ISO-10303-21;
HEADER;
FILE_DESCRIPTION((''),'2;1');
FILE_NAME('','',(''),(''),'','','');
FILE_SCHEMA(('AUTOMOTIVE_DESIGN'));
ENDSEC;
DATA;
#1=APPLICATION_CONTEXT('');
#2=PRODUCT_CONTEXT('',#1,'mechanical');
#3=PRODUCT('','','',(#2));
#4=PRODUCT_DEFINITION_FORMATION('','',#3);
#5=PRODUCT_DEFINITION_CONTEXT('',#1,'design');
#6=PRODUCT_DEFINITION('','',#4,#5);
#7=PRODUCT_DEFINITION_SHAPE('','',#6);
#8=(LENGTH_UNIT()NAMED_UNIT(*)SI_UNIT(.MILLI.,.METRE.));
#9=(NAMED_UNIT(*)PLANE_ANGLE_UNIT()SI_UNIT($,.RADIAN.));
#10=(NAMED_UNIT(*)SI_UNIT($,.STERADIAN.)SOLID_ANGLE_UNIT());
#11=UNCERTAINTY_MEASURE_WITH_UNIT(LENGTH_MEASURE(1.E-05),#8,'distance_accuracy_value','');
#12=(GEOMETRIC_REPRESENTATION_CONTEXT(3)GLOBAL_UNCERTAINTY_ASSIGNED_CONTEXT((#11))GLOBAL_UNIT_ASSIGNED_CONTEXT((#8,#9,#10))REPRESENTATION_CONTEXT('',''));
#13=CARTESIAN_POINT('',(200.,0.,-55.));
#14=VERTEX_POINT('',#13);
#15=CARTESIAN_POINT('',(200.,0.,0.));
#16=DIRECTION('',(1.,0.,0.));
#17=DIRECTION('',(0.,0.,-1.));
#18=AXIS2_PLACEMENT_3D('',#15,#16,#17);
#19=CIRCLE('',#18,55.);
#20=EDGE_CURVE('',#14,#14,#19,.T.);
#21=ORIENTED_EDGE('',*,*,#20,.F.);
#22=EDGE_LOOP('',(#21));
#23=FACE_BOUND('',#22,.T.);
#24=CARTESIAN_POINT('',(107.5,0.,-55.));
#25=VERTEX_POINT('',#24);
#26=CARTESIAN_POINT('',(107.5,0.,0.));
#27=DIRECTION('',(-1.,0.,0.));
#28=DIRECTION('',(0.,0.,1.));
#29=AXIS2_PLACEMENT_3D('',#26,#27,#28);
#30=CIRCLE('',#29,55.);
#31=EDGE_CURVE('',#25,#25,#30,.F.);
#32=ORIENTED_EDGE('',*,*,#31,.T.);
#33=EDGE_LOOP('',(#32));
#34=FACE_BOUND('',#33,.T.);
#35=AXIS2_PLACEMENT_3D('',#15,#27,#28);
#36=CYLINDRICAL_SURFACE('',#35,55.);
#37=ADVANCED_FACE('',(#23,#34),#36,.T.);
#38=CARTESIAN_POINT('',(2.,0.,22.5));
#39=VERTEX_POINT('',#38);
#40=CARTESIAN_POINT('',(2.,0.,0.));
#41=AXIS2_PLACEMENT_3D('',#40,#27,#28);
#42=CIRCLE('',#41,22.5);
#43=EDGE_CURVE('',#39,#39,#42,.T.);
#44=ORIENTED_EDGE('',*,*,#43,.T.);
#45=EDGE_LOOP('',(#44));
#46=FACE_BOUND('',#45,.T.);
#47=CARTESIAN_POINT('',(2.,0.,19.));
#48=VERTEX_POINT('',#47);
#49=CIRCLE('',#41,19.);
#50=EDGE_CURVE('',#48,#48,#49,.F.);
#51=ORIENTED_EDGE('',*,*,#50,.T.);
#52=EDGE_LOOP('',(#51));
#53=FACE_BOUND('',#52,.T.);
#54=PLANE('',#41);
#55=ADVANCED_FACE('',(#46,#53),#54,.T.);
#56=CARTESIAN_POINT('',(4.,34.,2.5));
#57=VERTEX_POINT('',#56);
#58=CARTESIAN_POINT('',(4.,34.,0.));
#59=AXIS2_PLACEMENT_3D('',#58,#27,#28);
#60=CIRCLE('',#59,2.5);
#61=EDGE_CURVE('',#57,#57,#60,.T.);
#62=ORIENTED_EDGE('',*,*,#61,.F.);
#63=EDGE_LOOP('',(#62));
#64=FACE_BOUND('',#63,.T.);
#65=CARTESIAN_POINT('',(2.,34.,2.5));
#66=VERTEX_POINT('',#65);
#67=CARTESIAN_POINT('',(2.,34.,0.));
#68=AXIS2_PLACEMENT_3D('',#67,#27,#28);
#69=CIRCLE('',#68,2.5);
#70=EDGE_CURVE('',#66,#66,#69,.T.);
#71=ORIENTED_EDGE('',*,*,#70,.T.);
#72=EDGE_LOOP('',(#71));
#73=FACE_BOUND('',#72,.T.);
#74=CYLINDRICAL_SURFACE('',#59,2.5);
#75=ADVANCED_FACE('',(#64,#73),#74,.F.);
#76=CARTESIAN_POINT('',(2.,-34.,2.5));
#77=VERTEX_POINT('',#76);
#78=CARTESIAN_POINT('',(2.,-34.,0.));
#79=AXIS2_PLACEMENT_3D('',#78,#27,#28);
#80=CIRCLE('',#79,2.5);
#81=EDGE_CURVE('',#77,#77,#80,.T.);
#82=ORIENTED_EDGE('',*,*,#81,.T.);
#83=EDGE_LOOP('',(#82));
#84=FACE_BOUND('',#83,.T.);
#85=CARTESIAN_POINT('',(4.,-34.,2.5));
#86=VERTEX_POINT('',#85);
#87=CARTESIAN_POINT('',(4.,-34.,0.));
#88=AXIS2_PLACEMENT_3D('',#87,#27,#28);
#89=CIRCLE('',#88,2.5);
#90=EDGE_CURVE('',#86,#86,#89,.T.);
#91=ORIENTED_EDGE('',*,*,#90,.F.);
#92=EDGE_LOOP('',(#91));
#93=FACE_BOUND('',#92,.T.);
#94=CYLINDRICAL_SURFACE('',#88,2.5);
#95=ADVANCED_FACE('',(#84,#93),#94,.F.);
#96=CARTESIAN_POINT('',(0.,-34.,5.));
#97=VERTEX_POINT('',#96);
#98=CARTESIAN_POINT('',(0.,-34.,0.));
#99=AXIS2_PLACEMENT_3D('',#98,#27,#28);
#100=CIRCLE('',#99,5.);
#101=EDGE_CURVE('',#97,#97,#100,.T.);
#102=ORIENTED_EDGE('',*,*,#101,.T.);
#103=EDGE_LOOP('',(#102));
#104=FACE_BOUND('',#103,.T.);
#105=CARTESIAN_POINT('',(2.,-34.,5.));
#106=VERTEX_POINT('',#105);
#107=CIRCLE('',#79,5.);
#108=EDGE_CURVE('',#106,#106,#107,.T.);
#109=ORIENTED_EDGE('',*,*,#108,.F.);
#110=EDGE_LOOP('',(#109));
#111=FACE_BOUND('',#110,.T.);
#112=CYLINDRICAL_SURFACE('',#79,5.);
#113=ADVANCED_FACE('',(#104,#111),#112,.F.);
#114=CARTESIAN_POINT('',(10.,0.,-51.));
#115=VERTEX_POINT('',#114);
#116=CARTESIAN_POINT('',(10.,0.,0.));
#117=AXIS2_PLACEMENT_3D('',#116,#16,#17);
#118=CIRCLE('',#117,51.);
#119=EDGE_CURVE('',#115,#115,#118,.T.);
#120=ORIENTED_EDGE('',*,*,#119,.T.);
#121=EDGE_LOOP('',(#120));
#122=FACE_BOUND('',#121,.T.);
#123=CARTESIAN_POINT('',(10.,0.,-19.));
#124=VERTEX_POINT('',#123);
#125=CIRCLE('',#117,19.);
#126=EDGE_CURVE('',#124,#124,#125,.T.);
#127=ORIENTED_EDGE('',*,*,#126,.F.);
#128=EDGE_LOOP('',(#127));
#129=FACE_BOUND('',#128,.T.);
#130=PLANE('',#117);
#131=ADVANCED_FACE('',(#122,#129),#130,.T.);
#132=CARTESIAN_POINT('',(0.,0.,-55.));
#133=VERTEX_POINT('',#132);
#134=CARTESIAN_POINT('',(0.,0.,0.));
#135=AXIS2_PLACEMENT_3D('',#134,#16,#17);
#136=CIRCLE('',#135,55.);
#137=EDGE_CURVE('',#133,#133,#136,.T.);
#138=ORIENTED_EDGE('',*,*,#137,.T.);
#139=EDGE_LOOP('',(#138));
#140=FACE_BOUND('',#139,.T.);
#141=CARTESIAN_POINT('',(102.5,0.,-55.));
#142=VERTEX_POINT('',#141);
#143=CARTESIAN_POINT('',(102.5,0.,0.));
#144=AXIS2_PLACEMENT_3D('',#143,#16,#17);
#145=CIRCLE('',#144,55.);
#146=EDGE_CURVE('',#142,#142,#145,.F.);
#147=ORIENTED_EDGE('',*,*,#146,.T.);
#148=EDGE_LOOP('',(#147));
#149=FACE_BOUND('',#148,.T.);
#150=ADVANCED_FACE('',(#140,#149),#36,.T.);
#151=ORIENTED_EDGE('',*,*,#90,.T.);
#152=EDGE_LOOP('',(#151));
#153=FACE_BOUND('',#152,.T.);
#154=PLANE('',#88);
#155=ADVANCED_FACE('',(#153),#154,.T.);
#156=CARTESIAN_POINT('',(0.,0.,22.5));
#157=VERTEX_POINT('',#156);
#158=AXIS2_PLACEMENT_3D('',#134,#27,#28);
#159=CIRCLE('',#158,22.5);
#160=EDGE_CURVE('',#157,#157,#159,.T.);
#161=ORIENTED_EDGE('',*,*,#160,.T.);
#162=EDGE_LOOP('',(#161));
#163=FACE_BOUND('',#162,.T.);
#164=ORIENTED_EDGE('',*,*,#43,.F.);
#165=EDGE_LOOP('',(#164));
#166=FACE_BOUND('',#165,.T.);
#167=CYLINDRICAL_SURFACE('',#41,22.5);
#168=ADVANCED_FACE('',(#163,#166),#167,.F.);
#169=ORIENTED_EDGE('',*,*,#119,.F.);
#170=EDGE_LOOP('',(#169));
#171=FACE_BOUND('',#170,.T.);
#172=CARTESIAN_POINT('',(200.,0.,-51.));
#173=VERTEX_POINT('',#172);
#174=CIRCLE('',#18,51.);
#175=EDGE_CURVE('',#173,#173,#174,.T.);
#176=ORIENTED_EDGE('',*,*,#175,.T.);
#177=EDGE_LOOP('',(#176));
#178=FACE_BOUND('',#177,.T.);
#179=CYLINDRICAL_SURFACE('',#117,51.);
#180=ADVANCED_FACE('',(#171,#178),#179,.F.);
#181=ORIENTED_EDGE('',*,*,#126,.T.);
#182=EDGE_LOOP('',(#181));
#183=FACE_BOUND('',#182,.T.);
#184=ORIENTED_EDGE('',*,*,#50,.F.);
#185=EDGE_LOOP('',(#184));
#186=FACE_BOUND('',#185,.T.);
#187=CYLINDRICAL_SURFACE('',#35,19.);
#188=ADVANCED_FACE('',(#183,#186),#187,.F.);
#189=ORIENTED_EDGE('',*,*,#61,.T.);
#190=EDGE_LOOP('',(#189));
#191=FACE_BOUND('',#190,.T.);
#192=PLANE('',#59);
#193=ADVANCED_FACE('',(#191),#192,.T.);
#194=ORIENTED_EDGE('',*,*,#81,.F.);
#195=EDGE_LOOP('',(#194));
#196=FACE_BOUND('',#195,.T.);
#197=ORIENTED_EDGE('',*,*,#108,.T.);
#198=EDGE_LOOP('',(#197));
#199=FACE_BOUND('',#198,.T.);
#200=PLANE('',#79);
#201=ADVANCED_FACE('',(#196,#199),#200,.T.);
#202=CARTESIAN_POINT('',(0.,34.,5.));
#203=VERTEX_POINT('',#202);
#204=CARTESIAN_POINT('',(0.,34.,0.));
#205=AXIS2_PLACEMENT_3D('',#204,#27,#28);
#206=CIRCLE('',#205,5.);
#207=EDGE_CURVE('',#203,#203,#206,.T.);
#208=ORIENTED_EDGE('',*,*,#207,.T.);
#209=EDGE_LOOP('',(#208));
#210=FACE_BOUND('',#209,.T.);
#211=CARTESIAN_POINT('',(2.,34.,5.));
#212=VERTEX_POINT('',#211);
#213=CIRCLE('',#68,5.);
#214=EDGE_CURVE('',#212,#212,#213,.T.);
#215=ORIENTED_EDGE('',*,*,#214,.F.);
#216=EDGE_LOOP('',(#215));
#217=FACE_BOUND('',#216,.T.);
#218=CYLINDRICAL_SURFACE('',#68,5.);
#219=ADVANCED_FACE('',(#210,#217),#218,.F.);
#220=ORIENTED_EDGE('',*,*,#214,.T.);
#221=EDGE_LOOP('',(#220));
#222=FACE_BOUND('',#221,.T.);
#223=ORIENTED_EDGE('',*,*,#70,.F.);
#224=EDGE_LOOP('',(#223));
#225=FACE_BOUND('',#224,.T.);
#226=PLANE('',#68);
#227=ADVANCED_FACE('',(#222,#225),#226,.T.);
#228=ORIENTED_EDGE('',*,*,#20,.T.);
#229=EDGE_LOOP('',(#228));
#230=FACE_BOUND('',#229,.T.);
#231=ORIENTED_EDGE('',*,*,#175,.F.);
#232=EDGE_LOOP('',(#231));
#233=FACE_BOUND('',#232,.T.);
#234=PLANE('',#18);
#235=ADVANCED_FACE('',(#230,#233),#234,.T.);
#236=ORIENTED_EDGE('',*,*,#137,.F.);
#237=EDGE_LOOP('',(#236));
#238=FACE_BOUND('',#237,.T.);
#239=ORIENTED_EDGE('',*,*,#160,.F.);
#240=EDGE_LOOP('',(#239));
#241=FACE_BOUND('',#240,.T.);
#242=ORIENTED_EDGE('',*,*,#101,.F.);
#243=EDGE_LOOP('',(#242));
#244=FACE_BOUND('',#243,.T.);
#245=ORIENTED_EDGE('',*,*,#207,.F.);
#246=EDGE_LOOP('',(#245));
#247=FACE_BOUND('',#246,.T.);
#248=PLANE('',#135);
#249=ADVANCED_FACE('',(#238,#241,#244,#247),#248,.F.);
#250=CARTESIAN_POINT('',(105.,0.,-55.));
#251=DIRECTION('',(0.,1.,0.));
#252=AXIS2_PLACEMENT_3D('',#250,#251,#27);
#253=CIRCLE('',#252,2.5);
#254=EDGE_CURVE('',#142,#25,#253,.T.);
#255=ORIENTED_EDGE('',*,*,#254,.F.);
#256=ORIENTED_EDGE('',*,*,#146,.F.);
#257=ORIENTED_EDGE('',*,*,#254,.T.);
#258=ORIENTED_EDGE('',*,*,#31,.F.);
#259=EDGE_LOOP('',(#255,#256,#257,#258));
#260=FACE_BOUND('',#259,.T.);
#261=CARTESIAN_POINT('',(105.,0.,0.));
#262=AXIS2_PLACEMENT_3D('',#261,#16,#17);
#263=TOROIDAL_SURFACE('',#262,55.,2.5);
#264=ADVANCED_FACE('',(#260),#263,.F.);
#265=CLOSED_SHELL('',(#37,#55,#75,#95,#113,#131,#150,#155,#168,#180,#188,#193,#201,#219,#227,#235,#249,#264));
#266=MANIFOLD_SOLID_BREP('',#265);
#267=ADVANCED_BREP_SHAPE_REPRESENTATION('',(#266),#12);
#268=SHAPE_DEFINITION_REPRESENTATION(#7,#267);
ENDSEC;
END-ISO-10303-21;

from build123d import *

# Parameters (mm, degrees)
SKETCH1_R               = 55
BOSS_EXTRUDE1_DEPTH     = 200
SKETCH2_R               = 51
CUT_EXTRUDE1_DEPTH      = 190
SKETCH3_R               = 19
CUT_EXTRUDE2_DEPTH      = 1
CUT_EXTRUDE2_DEPTH_BACK = 201
SKETCH4_R               = 5
CUT_EXTRUDE3_DEPTH      = 2
SKETCH5_R               = 22.5
CUT_EXTRUDE4_DEPTH      = 2
CUT_SWEEP1_PROFILE_R    = 2.5
SKETCH58_R              = 2.5
CUT_EXTRUDE5_DEPTH      = 2


with BuildPart() as part:
    # Sketch1 → Boss-Extrude1 (new body)
    with BuildSketch(Plane(origin=(0, 0, 0), x_dir=(0, 0, -1), z_dir=(1, 0, 0))):
        Circle(SKETCH1_R)
    extrude(amount=BOSS_EXTRUDE1_DEPTH)

    # Sketch2 → Cut-Extrude1 (cut)
    with BuildSketch(Plane(origin=(200, 0, 0), x_dir=(0, 0, -1), z_dir=(1, 0, 0))):
        Circle(SKETCH2_R)
    extrude(amount=-CUT_EXTRUDE1_DEPTH, mode=Mode.SUBTRACT)

    # Sketch3 → Cut-Extrude2 (cut, two sides)
    with BuildSketch(Plane.ZY) as cut_extrude2_sk:
        Circle(SKETCH3_R)
    extrude(amount=CUT_EXTRUDE2_DEPTH, mode=Mode.SUBTRACT)
    extrude(cut_extrude2_sk.sketch, amount=-CUT_EXTRUDE2_DEPTH_BACK, mode=Mode.SUBTRACT)

    # Sketch4 → Cut-Extrude3 (cut)
    with BuildSketch(Plane.ZY):
        with Locations((0, 34)):
            Circle(SKETCH4_R)
        with Locations((0, -34)):
            Circle(SKETCH4_R)
    extrude(amount=-CUT_EXTRUDE3_DEPTH, mode=Mode.SUBTRACT)

    # Sketch5 → Cut-Extrude4 (cut)
    with BuildSketch(Plane.ZY):
        Circle(SKETCH5_R)
    extrude(amount=-CUT_EXTRUDE4_DEPTH, mode=Mode.SUBTRACT)

    # Cut-Sweep1: sweep along a path in Sketch57
    with BuildLine(Plane(origin=(105, 0, 0), x_dir=(0, 0, -1), z_dir=(1, 0, 0))) as cut_sweep1_path:
        CenterArc((0, 0), 55, 0, 360)
    # Cut-Sweep1 profile (on start of the path) → Cut-Sweep1 (sweep, cut)
    with BuildSketch(Plane(origin=(105, 0, -55), x_dir=(0, 0, 1), z_dir=(0, 1, 0))):
        Circle(CUT_SWEEP1_PROFILE_R)
    sweep(path=cut_sweep1_path.line, mode=Mode.SUBTRACT)

    # Sketch58 → Cut-Extrude5 (cut)
    with BuildSketch(Plane.ZY.offset(-2)):
        with Locations((0, 34)):
            Circle(SKETCH58_R)
        with Locations((0, -34)):
            Circle(SKETCH58_R)
    extrude(amount=-CUT_EXTRUDE5_DEPTH, mode=Mode.SUBTRACT)


solid = part.part
